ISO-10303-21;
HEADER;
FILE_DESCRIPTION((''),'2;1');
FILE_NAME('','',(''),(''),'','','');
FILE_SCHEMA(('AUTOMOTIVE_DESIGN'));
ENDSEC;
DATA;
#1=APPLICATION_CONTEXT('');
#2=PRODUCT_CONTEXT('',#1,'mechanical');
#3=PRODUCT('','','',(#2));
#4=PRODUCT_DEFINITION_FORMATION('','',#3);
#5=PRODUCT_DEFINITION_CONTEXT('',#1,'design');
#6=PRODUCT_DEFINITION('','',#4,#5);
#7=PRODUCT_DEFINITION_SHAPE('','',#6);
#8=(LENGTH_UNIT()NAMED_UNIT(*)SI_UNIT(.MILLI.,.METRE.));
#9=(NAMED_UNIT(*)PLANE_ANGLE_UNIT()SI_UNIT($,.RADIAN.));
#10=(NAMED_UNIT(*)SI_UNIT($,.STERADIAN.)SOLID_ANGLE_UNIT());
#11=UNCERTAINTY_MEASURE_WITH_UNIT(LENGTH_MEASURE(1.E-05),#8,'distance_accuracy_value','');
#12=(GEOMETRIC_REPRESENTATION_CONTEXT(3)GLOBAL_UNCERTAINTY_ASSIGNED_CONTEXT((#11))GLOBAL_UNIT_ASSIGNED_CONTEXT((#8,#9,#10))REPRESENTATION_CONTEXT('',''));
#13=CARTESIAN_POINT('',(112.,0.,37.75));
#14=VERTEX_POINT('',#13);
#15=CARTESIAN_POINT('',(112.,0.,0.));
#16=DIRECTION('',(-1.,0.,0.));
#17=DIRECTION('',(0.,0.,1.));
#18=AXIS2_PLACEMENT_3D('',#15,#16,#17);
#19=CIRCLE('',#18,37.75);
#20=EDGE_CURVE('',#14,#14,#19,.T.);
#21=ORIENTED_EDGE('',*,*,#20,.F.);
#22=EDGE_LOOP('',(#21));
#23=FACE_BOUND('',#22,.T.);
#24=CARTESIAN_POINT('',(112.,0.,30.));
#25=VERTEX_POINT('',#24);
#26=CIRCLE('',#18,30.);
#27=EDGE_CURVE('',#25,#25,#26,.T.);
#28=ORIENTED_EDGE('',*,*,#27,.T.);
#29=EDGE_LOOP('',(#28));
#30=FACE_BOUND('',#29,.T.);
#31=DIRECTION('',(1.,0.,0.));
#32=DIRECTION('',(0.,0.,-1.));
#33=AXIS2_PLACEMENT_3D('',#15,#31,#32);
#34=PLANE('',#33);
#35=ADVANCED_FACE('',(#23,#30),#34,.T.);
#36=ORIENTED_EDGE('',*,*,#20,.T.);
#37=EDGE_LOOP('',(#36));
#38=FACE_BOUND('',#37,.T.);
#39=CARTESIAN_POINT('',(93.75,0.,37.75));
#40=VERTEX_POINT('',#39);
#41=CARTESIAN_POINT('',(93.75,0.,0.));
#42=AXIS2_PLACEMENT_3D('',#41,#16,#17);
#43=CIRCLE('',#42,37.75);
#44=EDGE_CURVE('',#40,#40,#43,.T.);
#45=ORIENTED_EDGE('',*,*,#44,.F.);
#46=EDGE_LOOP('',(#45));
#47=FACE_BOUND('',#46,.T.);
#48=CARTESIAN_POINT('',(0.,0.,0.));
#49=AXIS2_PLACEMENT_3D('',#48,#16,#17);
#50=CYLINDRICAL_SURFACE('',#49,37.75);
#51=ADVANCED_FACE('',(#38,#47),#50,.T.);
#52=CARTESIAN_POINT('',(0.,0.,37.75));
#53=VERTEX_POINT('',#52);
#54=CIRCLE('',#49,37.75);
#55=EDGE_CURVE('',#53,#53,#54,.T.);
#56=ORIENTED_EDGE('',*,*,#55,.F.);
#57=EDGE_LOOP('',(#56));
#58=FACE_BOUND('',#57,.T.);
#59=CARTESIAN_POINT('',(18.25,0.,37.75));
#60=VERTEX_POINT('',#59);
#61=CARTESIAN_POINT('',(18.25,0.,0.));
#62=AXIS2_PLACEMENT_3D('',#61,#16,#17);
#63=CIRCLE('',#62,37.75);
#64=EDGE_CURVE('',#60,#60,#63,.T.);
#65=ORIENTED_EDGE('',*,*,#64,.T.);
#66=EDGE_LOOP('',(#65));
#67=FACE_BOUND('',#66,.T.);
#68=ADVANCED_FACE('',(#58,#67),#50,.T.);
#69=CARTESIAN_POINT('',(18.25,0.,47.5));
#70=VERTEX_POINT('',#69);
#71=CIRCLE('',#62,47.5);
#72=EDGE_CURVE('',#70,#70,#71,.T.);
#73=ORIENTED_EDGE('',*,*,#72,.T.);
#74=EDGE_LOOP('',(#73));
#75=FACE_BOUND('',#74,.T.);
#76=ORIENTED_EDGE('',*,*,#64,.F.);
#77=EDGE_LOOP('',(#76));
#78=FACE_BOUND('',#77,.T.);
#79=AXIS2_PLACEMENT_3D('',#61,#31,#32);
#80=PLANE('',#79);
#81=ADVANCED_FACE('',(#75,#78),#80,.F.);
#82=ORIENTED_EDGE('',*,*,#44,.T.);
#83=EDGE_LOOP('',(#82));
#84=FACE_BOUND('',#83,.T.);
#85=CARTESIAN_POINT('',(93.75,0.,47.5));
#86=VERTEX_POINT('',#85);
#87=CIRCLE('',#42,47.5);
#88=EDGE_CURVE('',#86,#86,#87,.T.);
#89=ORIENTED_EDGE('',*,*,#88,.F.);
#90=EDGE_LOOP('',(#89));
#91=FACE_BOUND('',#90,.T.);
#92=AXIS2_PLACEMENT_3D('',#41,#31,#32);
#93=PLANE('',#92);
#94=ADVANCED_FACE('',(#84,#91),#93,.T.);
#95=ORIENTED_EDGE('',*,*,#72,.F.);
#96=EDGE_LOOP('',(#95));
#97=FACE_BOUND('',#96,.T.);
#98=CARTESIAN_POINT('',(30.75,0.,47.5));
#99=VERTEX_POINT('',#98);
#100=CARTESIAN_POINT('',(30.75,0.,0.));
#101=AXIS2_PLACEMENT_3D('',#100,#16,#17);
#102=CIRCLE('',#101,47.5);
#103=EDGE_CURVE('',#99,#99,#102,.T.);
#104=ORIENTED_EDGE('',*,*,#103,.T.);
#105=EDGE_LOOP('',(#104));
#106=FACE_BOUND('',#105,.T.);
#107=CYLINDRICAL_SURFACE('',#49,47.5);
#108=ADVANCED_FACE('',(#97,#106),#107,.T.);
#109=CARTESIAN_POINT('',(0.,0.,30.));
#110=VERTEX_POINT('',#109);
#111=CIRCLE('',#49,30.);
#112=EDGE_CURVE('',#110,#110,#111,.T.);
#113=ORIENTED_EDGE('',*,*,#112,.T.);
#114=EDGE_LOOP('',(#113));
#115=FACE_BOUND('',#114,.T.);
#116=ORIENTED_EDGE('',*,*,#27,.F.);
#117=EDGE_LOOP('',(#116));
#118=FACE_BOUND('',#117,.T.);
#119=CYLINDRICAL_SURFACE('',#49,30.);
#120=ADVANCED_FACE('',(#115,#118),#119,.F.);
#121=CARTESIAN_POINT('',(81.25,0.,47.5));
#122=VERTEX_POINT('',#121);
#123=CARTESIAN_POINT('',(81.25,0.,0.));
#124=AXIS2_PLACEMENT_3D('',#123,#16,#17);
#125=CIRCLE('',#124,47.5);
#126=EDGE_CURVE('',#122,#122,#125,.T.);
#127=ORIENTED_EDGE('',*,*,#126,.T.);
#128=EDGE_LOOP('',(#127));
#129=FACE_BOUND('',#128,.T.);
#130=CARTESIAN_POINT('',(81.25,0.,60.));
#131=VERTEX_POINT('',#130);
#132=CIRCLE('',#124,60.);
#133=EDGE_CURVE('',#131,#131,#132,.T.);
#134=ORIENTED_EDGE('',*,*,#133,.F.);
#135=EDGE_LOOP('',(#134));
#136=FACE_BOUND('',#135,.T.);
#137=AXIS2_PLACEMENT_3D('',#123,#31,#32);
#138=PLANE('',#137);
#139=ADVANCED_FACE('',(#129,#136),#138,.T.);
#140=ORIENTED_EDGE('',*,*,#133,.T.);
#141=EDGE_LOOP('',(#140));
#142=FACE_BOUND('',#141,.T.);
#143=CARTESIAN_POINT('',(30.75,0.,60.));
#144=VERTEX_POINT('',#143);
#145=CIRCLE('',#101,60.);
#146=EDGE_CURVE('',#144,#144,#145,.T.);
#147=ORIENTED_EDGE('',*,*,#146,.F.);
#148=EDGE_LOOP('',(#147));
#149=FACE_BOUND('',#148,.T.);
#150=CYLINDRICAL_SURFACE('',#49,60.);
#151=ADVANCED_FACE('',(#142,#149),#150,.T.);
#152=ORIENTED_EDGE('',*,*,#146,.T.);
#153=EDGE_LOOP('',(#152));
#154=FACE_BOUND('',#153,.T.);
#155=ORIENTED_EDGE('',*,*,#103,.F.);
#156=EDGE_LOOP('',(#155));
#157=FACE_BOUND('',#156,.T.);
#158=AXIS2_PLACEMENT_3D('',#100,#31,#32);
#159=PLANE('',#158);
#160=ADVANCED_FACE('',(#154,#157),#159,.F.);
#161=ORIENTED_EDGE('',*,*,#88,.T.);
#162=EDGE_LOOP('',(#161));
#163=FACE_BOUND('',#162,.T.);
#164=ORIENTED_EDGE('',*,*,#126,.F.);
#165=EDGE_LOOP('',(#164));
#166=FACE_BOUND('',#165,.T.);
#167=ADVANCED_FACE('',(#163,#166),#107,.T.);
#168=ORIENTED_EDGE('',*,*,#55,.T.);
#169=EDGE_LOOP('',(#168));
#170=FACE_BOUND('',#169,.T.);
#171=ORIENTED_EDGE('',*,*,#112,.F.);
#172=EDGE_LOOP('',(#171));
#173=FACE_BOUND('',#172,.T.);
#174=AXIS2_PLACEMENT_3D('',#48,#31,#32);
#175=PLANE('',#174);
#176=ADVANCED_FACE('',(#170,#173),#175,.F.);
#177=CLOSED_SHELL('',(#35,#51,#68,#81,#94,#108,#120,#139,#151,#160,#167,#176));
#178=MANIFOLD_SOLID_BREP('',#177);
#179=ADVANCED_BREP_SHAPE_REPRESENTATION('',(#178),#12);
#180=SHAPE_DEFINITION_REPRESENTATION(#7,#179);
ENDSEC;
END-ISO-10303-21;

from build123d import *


with BuildPart() as part:
    # Sketch1 → Revolve1 (revolve)
    with BuildSketch(Plane.XY):
        Polygon((81.25, 47.5), (93.75, 47.5), (93.75, 37.75), (112, 37.75), (112, 30), (0, 30), (0, 37.75), (18.25, 37.75), (18.25, 47.5), (30.75, 47.5), (30.75, 60), (81.25, 60), align=None)
    revolve(axis=Axis((0, 0, 0), (1, 0, 0)))


solid = part.part
